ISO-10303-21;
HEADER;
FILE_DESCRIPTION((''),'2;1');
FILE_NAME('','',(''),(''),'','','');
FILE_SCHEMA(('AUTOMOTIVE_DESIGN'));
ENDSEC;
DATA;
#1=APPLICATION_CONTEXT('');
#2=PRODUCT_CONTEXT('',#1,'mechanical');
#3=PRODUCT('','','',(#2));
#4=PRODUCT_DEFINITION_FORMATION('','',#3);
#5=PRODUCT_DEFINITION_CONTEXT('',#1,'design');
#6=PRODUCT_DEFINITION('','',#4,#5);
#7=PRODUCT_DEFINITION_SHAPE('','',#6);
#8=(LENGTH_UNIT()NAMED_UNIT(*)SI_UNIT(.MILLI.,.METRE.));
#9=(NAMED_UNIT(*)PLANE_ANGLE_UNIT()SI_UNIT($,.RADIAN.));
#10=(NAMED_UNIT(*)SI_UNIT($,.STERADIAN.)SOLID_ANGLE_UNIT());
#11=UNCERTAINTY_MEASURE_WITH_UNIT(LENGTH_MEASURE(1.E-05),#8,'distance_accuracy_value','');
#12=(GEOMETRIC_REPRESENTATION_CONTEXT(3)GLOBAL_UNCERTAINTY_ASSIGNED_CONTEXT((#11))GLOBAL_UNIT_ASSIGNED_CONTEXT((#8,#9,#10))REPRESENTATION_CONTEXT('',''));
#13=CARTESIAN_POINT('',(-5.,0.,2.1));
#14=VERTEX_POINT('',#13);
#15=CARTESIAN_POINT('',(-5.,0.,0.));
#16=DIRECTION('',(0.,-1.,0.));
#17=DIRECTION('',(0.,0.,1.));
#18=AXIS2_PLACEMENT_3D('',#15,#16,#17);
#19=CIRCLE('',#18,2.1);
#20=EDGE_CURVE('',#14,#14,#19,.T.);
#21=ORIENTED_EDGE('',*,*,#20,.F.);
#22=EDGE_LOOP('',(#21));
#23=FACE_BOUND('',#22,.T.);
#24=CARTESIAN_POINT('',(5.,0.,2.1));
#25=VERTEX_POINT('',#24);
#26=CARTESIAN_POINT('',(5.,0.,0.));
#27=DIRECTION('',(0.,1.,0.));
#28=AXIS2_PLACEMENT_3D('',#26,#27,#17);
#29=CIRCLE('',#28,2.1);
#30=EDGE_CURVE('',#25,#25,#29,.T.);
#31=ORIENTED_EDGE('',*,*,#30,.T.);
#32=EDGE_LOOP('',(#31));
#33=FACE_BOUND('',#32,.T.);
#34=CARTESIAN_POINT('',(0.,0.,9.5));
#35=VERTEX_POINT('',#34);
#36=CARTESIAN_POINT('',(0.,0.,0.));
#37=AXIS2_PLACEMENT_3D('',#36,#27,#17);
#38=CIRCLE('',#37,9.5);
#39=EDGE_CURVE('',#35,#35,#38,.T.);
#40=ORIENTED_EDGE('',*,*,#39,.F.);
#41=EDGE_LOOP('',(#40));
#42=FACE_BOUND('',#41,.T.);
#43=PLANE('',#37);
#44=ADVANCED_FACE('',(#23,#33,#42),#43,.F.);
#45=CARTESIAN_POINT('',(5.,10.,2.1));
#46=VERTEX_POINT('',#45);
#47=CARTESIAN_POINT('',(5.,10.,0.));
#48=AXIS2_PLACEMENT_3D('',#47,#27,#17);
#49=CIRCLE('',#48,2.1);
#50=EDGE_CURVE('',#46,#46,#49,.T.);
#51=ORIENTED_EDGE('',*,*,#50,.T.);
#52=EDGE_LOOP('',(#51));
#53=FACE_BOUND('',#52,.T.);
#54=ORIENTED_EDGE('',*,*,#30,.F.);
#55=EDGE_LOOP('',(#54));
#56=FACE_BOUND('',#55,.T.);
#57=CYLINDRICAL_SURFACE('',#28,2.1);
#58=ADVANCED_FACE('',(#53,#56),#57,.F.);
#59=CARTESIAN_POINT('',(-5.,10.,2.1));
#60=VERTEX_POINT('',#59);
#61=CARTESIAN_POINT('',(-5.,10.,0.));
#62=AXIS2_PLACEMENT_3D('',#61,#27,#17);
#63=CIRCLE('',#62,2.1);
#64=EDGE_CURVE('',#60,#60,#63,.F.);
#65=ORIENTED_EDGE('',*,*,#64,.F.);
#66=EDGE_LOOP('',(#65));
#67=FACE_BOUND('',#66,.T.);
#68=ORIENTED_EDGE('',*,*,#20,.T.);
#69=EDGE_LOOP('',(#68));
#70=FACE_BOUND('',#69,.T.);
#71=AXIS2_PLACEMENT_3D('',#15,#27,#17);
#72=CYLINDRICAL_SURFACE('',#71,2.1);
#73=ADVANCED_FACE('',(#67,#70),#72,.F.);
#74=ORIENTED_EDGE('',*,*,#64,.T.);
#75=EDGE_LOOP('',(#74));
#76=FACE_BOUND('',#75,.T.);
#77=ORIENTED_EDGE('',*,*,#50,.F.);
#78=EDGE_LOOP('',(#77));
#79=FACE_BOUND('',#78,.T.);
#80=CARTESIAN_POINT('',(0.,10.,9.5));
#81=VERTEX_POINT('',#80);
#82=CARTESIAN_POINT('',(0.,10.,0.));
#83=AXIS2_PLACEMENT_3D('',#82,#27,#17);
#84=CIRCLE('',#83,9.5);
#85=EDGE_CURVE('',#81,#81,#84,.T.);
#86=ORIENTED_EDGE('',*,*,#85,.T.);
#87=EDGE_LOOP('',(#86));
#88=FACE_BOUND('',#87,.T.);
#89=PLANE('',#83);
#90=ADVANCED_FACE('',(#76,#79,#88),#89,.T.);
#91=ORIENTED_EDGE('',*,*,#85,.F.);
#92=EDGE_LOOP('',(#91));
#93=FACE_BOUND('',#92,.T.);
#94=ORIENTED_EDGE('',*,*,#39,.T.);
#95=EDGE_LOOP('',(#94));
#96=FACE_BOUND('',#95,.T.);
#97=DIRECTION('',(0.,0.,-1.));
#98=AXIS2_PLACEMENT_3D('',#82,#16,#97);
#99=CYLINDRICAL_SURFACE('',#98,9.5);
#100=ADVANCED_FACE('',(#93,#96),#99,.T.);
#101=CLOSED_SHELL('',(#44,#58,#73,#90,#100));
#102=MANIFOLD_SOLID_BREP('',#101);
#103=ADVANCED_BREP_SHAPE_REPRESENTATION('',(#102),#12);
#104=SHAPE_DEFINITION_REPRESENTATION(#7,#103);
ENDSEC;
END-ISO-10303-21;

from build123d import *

# Parameters (mm, degrees)
SKETCH1_R           = 9.5
BOSS_EXTRUDE1_DEPTH = 10
CUT_EXTRUDE1_START  = -11
SKETCH2_R           = 2.1
CUT_EXTRUDE1_DEPTH  = 12


with BuildPart() as part:
    # Sketch1 → Boss-Extrude1 (new body)
    with BuildSketch(Plane(origin=(0, 0, 0), x_dir=(1, 0, 0), z_dir=(0, 1, 0))):
        Circle(SKETCH1_R)
    extrude(amount=BOSS_EXTRUDE1_DEPTH)

    # Sketch2 → Cut-Extrude1 (cut)
    with BuildSketch(Plane(origin=(0, 10, 0), x_dir=(1, 0, 0), z_dir=(0, 1, 0)).offset(CUT_EXTRUDE1_START)):
        with Locations((5, 0)):
            Circle(SKETCH2_R)
    cut_extrude1 = extrude(amount=CUT_EXTRUDE1_DEPTH, mode=Mode.SUBTRACT)

    # Mirror1: Cut-Extrude1 across plane
    add(cut_extrude1.mirror(Plane(origin=(0, 0, 0), x_dir=(0, 0, 1), z_dir=(1, 0, 0))), mode=Mode.SUBTRACT)


solid = part.part
